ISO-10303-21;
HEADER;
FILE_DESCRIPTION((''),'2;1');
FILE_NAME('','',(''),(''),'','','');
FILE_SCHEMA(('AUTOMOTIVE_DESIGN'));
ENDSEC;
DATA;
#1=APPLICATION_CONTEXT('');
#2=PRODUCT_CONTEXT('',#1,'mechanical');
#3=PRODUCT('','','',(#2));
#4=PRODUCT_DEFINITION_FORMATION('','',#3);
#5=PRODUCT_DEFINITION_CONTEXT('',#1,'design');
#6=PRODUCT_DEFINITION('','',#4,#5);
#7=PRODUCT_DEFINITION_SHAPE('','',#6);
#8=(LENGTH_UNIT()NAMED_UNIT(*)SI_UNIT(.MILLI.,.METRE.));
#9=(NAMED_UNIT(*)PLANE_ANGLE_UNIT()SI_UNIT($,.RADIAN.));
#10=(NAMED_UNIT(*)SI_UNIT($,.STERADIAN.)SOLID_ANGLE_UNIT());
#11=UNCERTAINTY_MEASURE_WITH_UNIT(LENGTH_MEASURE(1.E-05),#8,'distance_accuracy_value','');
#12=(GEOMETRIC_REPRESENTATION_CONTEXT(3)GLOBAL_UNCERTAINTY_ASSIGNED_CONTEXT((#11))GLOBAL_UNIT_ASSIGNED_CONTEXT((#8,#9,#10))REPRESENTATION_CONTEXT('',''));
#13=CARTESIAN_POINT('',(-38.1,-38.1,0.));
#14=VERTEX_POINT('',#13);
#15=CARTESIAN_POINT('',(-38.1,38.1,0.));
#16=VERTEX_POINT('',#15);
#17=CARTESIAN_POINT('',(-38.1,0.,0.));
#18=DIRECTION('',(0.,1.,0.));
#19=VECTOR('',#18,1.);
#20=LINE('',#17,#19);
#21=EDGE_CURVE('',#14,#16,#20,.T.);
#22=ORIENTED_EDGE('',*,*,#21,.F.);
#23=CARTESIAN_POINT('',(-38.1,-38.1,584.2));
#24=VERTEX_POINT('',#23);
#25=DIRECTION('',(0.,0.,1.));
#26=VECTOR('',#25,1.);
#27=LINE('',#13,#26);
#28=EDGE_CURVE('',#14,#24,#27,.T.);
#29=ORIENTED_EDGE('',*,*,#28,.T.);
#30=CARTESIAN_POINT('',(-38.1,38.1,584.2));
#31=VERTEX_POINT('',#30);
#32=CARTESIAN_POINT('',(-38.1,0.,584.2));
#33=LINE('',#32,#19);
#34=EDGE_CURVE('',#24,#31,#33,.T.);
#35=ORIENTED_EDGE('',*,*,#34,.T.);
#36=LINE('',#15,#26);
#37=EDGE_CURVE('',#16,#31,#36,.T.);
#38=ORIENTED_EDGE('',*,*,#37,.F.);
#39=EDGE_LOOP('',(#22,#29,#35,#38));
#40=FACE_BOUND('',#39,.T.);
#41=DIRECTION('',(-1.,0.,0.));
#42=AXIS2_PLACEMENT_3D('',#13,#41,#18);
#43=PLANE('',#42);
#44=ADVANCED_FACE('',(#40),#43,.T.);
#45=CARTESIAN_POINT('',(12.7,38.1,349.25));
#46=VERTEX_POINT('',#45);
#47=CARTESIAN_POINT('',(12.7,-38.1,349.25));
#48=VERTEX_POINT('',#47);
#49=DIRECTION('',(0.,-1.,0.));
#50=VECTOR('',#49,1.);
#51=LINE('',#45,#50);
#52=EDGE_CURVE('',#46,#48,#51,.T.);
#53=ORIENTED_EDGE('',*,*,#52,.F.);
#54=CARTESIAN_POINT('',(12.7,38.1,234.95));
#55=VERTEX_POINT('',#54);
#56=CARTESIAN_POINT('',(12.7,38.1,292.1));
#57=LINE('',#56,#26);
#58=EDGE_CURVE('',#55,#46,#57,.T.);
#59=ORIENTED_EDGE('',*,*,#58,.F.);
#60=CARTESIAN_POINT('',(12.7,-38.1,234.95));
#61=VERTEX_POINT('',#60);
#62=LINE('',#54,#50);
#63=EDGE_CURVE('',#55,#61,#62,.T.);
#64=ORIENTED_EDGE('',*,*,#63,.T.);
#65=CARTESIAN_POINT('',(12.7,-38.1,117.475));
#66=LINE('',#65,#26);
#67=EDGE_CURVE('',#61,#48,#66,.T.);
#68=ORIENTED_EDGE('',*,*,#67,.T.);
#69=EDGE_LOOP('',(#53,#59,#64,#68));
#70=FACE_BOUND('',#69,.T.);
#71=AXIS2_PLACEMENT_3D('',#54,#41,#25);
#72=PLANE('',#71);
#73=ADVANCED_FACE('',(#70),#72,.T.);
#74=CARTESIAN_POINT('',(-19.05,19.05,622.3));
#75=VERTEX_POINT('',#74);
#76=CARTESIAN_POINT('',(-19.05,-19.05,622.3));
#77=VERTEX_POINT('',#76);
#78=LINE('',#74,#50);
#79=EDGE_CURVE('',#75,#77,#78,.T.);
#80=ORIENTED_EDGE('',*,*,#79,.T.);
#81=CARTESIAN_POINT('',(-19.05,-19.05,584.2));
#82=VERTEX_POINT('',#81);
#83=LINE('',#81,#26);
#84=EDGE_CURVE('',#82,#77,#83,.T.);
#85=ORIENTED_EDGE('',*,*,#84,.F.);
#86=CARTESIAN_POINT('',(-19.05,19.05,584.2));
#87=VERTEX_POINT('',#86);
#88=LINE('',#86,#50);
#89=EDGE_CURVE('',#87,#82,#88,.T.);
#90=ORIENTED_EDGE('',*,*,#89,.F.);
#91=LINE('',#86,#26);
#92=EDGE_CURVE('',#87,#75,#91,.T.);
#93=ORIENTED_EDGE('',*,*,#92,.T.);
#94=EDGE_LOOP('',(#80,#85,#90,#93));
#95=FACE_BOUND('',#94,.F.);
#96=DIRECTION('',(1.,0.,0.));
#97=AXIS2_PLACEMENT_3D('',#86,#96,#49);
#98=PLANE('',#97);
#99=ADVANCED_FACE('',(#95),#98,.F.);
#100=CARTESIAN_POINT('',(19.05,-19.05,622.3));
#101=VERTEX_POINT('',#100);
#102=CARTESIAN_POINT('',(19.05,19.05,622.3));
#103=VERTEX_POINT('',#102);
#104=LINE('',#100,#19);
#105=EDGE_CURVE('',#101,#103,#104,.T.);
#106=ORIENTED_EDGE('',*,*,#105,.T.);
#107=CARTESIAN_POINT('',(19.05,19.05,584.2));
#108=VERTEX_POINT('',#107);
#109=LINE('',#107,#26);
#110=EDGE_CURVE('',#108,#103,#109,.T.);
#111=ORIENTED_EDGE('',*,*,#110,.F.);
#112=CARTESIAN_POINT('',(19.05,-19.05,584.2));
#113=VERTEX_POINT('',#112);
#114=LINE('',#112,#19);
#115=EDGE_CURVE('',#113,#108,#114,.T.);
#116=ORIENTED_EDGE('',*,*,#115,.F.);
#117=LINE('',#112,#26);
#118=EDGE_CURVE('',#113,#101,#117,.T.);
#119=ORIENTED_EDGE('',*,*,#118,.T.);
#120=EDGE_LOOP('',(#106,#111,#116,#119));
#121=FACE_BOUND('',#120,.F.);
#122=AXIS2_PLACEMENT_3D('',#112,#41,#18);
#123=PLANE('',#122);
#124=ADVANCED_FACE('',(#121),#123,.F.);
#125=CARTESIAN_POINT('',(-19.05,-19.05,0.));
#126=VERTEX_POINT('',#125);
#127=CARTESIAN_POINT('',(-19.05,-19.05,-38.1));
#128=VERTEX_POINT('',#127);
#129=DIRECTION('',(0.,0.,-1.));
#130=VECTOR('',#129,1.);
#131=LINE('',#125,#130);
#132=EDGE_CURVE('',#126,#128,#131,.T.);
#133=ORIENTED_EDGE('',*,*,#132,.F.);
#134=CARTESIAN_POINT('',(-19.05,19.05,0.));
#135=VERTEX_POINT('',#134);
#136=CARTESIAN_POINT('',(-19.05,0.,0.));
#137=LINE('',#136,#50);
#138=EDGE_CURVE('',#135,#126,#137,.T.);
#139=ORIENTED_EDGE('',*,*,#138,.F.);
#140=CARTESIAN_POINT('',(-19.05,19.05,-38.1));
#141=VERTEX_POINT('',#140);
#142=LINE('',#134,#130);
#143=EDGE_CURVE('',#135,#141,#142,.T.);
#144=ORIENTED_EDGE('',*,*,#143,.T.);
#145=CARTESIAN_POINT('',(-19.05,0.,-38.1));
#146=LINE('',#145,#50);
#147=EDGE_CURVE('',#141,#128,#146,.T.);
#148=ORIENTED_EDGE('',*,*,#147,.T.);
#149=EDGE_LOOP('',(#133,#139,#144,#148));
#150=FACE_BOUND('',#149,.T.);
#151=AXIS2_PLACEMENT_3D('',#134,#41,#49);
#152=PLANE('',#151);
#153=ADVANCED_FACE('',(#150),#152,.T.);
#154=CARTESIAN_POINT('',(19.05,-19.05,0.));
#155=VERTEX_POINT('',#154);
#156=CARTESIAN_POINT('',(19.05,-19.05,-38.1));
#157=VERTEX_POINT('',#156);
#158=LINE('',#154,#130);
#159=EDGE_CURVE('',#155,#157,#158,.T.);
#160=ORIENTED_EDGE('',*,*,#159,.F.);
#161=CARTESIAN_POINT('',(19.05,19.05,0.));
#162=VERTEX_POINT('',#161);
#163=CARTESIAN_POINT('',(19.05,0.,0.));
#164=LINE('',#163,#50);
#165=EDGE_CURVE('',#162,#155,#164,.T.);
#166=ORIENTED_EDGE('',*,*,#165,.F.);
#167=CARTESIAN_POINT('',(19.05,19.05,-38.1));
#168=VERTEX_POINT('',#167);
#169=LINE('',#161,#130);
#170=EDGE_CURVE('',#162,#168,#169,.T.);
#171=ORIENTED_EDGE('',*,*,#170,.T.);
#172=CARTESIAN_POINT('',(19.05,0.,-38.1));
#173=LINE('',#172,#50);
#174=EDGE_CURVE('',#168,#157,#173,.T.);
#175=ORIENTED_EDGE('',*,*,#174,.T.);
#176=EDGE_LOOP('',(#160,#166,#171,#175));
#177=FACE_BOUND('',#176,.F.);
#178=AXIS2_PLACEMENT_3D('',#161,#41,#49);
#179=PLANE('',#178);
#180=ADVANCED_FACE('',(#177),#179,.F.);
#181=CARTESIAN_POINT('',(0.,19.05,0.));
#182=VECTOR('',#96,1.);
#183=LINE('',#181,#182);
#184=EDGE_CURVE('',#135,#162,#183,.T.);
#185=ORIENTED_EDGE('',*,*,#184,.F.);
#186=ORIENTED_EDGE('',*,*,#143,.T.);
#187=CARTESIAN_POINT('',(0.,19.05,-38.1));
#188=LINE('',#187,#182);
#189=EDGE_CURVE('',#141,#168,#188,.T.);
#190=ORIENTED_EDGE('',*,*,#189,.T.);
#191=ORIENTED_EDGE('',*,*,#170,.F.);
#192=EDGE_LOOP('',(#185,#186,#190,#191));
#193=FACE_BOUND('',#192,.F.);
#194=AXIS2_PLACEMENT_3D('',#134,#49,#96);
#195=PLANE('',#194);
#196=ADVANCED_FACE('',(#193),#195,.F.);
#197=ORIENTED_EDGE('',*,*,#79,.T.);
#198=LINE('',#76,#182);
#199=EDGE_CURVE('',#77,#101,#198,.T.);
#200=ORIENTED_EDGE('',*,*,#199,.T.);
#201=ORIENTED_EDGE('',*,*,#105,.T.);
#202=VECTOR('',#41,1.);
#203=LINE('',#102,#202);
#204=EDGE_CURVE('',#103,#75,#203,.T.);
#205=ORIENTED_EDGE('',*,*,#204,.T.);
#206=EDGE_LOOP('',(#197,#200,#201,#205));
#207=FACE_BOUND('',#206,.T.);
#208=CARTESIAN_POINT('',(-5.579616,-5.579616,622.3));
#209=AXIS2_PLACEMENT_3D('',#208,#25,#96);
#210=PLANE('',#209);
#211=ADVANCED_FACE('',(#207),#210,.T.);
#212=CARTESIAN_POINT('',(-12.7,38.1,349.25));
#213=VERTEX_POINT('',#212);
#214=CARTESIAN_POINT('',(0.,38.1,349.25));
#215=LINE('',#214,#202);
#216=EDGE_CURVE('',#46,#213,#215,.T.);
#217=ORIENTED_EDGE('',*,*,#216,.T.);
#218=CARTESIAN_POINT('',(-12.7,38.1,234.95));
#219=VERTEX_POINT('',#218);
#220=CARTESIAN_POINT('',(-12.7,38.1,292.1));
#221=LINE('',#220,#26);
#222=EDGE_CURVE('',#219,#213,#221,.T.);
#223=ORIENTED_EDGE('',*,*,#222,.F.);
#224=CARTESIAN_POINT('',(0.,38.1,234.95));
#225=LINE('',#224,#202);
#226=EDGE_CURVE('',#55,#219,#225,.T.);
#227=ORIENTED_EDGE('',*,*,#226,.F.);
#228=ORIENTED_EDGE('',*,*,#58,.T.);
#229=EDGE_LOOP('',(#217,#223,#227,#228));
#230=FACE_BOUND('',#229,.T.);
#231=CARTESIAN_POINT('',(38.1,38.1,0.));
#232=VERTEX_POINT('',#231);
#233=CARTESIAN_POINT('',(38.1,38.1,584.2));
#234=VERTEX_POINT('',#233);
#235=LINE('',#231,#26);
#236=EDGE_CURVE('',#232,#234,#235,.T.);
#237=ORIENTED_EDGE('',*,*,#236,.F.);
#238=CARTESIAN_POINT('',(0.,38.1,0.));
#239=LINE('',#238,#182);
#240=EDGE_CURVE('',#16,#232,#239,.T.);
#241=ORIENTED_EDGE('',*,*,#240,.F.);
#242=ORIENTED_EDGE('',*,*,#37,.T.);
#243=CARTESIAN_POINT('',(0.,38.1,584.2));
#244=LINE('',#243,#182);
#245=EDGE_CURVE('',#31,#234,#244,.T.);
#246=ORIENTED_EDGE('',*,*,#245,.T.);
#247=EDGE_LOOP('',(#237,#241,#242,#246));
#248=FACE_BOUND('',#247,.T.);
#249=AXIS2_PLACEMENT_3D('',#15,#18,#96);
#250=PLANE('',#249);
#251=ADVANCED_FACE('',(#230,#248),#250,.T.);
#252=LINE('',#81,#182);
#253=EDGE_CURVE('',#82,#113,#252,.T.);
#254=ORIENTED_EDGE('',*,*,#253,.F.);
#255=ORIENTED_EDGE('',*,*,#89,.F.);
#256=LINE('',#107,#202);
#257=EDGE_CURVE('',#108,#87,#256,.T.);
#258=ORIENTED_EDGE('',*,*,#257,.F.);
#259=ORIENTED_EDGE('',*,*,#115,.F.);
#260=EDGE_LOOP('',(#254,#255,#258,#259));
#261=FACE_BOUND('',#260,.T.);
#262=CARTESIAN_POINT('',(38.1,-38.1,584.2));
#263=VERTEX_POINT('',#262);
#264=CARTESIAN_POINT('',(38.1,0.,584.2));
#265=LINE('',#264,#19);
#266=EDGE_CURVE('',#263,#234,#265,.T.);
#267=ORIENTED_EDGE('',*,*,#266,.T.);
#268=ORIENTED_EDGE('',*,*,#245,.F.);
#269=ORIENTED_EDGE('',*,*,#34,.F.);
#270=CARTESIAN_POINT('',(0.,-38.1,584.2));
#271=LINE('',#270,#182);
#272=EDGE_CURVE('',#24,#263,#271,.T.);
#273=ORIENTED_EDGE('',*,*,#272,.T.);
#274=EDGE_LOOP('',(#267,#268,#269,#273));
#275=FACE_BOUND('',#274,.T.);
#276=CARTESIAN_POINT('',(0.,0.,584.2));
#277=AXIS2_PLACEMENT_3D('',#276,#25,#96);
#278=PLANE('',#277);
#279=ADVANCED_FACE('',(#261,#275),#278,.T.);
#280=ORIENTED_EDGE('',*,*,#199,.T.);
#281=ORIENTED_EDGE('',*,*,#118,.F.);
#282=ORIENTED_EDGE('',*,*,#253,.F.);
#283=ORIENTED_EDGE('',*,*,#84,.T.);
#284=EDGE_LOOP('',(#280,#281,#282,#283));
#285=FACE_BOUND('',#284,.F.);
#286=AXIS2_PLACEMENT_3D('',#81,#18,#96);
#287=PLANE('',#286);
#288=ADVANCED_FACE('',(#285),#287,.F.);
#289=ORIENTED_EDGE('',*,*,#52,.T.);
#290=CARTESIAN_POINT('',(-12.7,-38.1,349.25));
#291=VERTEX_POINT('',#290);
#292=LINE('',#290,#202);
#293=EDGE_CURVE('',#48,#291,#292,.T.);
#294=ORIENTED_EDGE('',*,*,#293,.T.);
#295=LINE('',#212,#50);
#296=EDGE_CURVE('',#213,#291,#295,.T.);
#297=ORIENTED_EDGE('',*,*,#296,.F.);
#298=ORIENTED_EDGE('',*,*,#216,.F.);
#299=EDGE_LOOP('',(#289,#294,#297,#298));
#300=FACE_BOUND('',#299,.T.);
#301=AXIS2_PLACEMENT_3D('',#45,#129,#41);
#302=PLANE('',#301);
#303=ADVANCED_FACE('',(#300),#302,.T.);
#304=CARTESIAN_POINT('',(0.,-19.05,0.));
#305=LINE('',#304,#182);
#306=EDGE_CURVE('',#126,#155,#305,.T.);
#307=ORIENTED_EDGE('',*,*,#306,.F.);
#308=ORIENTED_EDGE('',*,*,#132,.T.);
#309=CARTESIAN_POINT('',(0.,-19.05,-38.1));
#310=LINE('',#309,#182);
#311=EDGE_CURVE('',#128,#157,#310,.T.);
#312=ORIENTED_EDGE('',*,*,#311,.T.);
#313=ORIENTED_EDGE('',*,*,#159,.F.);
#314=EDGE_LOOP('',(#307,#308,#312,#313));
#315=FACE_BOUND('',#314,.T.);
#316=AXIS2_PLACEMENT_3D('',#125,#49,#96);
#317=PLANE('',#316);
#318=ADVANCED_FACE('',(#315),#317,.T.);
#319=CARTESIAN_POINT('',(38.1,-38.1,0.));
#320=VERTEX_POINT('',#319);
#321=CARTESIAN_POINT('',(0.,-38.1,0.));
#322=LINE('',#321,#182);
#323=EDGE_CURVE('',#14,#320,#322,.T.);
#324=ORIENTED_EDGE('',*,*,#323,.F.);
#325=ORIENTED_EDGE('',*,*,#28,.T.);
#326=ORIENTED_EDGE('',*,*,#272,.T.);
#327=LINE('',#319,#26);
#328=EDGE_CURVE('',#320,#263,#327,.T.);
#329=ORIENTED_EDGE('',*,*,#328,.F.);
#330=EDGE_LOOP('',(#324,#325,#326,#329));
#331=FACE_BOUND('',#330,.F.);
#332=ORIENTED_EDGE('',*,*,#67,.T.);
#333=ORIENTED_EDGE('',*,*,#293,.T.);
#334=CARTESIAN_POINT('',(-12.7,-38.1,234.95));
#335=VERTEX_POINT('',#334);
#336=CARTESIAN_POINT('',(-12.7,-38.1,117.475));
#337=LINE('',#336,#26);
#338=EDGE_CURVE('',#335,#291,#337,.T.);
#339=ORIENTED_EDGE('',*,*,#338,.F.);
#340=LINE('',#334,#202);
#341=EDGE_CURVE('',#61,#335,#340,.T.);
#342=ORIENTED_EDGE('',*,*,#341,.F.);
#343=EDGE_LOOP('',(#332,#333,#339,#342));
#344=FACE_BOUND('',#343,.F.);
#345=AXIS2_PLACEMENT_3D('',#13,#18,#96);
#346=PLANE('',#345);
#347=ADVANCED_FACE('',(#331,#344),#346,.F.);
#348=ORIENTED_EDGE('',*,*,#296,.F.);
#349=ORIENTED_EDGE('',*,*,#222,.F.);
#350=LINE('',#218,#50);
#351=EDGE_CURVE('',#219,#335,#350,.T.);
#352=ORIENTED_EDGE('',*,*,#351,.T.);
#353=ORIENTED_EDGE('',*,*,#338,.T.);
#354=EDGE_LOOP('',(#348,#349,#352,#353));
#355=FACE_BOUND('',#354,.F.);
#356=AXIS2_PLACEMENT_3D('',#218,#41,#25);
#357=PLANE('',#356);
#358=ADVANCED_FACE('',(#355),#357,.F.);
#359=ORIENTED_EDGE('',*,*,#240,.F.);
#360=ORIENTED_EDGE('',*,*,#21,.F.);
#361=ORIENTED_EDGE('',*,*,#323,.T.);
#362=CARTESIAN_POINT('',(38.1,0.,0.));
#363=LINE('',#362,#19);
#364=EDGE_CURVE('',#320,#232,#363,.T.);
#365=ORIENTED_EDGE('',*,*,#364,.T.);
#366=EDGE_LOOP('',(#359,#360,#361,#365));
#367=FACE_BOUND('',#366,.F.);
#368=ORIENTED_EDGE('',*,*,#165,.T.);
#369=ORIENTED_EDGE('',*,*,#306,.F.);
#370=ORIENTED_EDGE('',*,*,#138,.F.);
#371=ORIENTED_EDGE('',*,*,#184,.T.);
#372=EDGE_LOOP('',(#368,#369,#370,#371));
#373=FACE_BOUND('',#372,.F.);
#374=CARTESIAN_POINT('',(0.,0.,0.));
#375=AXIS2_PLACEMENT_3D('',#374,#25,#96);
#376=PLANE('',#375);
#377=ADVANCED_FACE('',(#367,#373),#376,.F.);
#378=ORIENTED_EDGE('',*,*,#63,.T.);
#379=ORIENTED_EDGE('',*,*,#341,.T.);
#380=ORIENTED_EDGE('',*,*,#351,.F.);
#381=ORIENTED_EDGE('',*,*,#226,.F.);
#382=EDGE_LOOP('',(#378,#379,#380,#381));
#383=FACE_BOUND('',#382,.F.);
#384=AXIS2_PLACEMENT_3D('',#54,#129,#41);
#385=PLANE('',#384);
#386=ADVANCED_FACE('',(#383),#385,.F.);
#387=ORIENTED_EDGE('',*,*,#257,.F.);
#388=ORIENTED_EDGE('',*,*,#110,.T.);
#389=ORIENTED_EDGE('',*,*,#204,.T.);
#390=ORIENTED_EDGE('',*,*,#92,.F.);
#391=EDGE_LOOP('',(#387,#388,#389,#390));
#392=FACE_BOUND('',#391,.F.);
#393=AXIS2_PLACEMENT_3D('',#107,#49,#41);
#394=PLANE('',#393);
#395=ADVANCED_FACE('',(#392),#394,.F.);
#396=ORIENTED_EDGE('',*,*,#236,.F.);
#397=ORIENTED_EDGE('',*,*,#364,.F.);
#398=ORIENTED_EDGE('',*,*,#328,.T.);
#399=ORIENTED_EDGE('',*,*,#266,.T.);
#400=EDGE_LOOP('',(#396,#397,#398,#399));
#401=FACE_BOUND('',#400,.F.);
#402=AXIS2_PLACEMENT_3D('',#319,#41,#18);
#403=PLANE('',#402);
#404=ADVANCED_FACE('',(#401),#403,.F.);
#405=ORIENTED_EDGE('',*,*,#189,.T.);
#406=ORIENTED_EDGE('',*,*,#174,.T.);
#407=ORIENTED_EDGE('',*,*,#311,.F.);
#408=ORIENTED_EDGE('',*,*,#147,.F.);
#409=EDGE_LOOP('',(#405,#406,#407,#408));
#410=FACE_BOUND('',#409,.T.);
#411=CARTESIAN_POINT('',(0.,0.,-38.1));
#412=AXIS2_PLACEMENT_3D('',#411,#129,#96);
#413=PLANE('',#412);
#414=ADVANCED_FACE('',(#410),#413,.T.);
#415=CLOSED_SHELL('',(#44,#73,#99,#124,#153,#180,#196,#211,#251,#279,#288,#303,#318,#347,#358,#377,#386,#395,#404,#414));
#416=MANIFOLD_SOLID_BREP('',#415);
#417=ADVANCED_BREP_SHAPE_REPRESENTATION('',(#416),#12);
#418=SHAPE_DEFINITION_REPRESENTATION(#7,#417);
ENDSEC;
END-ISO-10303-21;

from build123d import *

# Parameters (mm, degrees)
F0_W     = 76.2
F0_H     = 76.2
F1_DEPTH = 584.2
F3_DEPTH = 38.1
F4_W     = 38.1
F4_H     = 38.1
F5_DEPTH = 38.1
F6_W     = 25.4
F6_H     = 114.3
F7_DEPTH = 76.201


with BuildPart() as f1:
    # F0 (on Top) → F1 (new body)
    with BuildSketch(Plane.XY):
        Rectangle(F0_W, F0_H)
    extrude(amount=F1_DEPTH)

    # F2 (on face) → F3 (join)
    with BuildSketch(Plane.XY.offset(584.2)):
        Polygon((-19.05, -19.05), (19.05, -19.05), (-19.05, 19.05), align=None)
        Polygon((-19.05, 19.05), (19.05, -19.05), (19.05, 19.05), align=None)
    extrude(amount=F3_DEPTH)

    # F4 (on face) → F5 (join)
    with BuildSketch(Plane(origin=(0, 0, 0), x_dir=(1, 0, 0), z_dir=(0, 0, -1))):
        Rectangle(F4_W, F4_H)
    extrude(amount=F5_DEPTH)

    # F6 (on face) → F7 (cut, through all)
    with BuildSketch(Plane(origin=(0, 38.1, 0), x_dir=(-1, 0, 0), z_dir=(0, 1, 0))):
        with Locations((0, 292.1)):
            Rectangle(F6_W, F6_H)
    extrude(amount=-F7_DEPTH, mode=Mode.SUBTRACT)


solid = f1.part
